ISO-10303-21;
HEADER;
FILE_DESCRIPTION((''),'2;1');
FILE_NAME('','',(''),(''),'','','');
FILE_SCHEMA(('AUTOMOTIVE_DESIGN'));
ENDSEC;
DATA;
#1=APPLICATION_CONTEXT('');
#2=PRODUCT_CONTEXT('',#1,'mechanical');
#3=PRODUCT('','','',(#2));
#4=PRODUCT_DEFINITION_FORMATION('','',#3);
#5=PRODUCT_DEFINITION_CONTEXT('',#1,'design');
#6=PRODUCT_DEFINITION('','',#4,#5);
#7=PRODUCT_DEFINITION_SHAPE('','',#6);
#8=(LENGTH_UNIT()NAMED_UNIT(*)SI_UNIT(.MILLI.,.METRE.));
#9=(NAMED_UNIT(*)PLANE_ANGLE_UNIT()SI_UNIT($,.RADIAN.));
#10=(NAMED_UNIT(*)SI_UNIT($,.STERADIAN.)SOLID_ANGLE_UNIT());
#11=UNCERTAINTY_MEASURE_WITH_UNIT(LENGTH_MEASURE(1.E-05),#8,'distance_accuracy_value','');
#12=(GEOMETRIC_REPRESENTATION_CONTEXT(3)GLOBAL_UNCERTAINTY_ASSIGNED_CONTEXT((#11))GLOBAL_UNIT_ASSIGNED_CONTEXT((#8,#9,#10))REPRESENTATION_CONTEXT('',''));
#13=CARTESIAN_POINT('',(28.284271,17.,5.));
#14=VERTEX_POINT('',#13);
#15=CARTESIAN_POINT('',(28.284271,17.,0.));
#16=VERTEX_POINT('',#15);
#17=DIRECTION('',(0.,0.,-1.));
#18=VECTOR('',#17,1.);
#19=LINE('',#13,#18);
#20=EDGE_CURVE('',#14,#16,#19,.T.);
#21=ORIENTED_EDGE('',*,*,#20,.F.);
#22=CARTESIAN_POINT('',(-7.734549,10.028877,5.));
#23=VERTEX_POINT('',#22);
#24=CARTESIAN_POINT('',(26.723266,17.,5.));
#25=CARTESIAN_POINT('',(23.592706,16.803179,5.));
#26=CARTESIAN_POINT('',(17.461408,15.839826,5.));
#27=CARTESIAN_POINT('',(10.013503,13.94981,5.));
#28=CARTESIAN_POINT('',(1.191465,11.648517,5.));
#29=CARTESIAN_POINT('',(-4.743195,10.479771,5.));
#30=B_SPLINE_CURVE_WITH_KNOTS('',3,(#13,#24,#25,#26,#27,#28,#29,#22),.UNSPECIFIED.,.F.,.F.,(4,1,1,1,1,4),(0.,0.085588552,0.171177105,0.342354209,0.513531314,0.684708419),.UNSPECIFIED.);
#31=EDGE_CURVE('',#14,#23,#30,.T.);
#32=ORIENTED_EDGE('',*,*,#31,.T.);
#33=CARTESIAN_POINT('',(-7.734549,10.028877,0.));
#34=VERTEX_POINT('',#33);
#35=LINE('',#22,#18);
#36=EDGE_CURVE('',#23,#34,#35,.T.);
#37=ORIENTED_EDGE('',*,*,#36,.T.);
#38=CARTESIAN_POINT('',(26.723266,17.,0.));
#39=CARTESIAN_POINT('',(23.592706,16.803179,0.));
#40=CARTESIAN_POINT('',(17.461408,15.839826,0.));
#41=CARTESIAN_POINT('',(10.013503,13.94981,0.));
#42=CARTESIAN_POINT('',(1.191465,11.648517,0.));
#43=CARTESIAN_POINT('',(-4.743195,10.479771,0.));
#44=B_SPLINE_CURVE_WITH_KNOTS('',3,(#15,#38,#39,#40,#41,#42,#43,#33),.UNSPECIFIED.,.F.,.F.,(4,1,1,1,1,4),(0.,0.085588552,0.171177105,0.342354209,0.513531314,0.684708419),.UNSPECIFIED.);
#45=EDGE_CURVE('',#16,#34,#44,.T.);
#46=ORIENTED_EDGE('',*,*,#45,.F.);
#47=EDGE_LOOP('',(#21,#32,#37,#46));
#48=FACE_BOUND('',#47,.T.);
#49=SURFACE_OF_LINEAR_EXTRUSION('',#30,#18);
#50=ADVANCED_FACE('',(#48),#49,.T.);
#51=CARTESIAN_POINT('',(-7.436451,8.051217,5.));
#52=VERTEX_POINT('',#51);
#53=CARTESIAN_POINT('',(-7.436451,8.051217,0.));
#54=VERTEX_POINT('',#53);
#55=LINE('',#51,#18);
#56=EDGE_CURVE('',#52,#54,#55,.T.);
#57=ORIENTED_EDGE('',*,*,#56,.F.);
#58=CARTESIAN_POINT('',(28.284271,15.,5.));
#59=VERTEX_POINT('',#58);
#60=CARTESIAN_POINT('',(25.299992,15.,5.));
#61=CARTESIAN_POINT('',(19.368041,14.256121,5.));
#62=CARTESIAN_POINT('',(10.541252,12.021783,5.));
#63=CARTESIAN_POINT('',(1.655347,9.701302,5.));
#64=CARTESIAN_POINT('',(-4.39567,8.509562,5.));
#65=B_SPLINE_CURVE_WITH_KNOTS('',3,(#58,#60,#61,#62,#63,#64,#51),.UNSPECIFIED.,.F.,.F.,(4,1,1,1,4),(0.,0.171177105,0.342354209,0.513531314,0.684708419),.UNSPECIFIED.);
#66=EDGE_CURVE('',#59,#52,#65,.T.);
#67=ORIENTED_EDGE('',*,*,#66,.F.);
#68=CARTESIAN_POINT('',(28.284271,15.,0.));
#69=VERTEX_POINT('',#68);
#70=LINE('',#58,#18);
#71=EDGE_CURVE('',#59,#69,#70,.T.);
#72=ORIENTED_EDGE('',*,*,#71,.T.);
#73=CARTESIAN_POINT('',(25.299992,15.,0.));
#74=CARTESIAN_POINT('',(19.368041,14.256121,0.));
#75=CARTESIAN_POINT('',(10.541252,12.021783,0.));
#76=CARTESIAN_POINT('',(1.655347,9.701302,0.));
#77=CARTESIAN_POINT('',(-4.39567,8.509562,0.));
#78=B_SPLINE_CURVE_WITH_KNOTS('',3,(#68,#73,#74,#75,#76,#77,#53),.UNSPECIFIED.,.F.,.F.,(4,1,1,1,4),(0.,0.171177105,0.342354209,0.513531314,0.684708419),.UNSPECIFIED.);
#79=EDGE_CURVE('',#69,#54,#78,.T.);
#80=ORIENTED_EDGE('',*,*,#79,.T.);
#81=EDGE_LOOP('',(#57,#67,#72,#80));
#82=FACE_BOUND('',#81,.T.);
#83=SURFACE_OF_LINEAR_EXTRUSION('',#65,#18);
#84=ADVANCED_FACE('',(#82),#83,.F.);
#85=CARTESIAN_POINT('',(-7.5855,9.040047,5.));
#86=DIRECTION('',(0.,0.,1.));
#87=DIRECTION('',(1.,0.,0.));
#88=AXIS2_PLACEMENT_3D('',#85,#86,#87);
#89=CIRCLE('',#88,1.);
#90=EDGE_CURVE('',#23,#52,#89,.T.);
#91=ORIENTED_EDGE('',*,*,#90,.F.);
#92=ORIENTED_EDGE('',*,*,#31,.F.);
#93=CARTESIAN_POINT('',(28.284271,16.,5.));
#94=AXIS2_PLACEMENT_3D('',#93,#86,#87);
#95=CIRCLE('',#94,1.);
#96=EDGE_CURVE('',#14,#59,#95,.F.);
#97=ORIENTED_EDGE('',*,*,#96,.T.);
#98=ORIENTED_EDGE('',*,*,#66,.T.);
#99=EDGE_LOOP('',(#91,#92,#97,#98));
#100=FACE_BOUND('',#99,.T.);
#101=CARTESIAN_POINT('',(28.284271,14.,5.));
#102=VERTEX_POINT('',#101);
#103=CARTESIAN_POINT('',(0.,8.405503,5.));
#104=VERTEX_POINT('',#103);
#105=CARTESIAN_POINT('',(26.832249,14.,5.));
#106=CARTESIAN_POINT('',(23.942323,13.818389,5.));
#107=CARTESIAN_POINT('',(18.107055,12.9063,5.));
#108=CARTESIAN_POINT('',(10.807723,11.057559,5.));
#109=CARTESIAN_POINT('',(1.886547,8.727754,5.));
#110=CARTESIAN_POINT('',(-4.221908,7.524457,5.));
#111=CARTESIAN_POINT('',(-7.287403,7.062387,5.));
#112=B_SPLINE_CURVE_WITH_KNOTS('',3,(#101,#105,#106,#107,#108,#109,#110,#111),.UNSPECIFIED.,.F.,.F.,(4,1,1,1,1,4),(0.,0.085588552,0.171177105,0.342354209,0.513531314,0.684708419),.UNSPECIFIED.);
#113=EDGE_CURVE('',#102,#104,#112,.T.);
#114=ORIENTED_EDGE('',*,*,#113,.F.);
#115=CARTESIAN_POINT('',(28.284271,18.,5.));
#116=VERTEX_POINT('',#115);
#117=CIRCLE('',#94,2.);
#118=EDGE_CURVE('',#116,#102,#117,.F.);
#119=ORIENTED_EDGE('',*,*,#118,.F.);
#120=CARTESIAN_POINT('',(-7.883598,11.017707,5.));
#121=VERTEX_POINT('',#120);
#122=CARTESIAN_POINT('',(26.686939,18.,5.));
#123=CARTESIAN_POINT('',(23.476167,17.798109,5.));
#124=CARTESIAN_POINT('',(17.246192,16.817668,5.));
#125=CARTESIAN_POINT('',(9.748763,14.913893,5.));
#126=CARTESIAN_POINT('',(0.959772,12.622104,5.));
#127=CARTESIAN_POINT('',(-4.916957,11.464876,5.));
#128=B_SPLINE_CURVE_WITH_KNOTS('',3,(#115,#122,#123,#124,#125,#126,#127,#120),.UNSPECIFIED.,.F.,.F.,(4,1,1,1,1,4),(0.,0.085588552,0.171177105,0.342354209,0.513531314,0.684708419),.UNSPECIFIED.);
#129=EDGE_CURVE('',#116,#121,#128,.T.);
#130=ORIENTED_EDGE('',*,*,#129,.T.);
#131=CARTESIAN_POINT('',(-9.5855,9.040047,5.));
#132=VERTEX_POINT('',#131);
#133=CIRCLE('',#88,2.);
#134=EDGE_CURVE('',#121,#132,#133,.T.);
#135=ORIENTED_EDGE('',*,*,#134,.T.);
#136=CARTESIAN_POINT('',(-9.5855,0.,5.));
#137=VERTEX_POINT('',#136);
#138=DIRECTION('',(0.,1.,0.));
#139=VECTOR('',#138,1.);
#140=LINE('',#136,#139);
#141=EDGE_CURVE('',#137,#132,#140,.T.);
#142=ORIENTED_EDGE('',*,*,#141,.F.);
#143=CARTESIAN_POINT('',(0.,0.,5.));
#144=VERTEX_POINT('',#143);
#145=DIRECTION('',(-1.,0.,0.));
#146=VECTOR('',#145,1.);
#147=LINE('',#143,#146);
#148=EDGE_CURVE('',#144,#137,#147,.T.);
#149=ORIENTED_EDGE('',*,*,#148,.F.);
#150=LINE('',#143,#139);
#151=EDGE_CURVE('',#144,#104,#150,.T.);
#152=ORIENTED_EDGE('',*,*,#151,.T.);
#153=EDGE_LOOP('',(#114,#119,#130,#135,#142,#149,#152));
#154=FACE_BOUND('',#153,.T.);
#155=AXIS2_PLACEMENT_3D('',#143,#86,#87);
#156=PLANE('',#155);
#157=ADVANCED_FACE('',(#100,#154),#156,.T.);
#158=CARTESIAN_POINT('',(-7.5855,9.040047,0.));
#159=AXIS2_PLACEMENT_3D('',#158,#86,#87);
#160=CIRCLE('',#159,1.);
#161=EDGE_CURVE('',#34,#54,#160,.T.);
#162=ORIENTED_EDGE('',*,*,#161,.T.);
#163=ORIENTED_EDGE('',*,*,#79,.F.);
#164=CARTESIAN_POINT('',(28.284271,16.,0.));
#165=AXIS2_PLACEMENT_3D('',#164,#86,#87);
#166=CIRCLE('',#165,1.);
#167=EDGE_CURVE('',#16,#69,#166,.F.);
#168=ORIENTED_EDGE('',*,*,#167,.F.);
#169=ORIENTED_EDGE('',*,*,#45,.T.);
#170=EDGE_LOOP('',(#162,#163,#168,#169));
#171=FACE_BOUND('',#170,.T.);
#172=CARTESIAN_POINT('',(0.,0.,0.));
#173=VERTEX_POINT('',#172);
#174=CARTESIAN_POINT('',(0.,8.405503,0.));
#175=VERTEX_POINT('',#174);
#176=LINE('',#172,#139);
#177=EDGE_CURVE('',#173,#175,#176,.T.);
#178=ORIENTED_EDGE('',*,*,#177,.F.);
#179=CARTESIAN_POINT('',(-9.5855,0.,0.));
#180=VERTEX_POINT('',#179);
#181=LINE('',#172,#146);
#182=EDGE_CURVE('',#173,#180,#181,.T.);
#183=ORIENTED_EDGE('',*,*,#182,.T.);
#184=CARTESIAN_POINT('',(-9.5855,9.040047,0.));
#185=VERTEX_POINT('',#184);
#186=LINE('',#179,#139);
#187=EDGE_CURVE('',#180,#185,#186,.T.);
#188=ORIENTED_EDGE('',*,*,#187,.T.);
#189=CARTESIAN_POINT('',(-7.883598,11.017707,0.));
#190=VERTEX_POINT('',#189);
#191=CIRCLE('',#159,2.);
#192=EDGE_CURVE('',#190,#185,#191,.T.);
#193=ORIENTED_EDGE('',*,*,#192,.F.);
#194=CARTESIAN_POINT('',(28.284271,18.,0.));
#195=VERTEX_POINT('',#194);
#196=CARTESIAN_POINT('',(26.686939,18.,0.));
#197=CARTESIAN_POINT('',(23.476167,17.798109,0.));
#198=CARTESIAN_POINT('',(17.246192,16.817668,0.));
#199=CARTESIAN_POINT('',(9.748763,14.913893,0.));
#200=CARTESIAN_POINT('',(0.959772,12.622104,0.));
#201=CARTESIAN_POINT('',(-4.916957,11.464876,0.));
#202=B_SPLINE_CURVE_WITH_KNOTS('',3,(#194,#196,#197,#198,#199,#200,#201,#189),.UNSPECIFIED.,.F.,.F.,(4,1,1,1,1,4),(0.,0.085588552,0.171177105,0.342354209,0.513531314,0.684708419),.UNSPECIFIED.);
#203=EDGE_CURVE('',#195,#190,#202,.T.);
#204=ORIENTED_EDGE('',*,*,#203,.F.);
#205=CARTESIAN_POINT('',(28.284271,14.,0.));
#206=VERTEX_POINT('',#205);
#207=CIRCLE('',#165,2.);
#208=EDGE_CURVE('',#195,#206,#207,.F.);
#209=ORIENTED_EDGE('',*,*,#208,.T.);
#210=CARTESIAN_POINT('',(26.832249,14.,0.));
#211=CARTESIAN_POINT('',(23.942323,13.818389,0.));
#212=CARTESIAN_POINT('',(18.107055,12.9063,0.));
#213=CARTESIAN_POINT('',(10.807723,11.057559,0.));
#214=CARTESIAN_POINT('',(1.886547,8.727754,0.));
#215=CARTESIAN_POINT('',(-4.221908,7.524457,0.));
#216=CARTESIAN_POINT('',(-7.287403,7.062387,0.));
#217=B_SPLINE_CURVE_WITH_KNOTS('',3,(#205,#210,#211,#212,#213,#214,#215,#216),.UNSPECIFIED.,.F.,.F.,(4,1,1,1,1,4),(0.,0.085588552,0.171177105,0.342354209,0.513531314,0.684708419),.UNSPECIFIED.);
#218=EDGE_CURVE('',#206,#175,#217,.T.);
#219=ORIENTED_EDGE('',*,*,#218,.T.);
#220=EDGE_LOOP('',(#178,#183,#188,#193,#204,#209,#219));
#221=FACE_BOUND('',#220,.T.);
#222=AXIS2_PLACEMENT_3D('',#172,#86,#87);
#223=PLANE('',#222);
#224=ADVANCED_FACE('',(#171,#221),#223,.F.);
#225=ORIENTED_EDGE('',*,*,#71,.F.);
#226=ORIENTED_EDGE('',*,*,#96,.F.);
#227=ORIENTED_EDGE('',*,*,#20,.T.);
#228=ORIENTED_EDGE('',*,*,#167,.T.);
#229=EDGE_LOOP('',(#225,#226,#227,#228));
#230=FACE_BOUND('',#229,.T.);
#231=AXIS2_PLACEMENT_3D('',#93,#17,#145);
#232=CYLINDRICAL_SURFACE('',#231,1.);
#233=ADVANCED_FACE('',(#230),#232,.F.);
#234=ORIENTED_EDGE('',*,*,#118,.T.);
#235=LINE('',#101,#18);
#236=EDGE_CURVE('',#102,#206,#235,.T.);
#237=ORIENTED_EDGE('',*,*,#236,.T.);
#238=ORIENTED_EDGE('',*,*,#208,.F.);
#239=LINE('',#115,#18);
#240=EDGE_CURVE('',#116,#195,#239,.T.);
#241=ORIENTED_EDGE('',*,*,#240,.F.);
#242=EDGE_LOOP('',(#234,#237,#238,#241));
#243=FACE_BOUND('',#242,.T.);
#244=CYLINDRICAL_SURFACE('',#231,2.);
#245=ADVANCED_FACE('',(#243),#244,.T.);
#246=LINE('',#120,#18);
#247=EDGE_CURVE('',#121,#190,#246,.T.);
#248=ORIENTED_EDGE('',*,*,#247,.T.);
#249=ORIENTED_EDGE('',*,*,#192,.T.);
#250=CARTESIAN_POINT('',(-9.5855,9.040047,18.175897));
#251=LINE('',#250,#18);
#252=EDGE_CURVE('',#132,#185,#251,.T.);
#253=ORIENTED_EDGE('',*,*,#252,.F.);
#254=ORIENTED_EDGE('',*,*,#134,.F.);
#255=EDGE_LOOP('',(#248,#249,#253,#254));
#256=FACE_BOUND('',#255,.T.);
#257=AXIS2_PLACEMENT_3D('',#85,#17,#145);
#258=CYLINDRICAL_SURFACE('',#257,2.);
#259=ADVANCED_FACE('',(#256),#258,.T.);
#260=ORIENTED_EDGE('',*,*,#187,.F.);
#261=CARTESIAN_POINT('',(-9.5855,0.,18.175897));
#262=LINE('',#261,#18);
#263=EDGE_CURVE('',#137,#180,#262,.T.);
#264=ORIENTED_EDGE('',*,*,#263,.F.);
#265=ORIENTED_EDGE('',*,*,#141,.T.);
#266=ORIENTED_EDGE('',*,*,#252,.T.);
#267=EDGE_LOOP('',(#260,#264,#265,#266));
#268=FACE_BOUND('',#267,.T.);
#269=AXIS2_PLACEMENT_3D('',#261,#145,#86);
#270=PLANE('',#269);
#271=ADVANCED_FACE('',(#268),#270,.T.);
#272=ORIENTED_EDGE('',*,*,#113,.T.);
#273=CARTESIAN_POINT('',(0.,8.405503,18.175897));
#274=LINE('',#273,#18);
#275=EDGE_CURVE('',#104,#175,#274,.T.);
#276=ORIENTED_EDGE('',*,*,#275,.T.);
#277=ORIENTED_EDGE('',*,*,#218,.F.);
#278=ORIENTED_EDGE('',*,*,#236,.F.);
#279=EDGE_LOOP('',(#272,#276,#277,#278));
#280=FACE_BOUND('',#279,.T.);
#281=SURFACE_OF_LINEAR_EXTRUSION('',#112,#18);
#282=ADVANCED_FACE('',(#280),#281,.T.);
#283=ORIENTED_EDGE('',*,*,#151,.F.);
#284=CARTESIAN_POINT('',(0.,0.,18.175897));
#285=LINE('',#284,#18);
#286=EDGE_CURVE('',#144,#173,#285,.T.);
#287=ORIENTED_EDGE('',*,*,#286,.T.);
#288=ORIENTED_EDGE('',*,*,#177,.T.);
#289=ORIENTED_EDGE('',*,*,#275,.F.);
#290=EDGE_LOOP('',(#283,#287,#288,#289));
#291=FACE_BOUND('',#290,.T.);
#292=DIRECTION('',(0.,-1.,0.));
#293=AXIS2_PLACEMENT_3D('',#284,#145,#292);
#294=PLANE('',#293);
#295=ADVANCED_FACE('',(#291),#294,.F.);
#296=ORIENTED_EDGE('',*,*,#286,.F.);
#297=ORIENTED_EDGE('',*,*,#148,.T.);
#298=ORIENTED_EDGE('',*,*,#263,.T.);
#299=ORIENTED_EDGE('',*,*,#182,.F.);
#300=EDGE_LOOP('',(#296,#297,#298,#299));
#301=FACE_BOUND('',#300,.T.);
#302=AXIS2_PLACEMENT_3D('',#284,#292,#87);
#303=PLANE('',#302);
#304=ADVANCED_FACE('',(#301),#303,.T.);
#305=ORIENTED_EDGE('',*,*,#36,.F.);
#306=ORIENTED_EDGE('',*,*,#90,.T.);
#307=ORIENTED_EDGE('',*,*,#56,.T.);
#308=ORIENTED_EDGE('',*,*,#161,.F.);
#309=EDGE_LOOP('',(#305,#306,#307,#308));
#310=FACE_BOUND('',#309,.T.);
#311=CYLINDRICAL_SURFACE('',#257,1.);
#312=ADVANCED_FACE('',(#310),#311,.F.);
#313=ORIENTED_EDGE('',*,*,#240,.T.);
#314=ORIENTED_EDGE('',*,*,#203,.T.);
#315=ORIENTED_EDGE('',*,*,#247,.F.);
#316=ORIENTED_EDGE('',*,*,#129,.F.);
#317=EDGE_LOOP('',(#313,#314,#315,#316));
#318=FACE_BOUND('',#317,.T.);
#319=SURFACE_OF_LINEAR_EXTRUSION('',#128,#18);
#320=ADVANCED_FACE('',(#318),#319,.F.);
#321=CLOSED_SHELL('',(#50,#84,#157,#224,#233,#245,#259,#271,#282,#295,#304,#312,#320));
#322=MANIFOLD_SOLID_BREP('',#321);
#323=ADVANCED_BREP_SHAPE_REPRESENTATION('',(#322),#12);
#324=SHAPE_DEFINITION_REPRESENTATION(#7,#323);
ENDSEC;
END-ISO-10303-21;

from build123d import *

# Parameters (mm, degrees)
BOSS_EXTRUDE1_DEPTH = 5
BOSS_EXTRUDE2_DEPTH = 5


with BuildPart() as part:
    # Sketch1 → Boss-Extrude1 (new body)
    with BuildSketch(Plane.XY):
        with BuildLine():
            add(Edge.make_bspline(
                [(28.284271497, 14), (26.832248759, 13.999999819), (23.942322546, 13.818389143), (18.107055454, 12.906300241), (10.807723253, 11.057558996), (1.886546527, 8.727754338), (-4.221907722, 7.524457078), (-7.287402613, 7.062387403)],
                knots=[0, 0, 0, 0, 0.085588552, 0.171177105, 0.342354209, 0.513531314, 0.684708419, 0.684708419, 0.684708419, 0.684708419], degree=3))
            ThreePointArc((-7.287402613, 7.062387403), (-9.563159868, 8.741949524), (-7.883597747, 11.017706779))
            add(Edge.make_bspline(
                [(28.284270998, 18), (26.686938926, 17.999999801), (23.476167151, 17.798108662), (17.246191739, 16.817667516), (9.748762966, 14.913893444), (0.95977161, 12.622104017), (-4.916957068, 11.464875912), (-7.883597747, 11.017706779)],
                knots=[0, 0, 0, 0, 0.085588552, 0.171177105, 0.342354209, 0.513531314, 0.684708419, 0.684708419, 0.684708419, 0.684708419], degree=3))
            ThreePointArc((28.284270998, 18), (30.284271247, 16.00000025), (28.284271497, 14))
        make_face()
        with BuildLine():
            ThreePointArc((28.284271123, 17), (29.284271247, 16.000000125), (28.284271372, 15))
            add(Edge.make_bspline(
                [(28.284271372, 15), (25.299991519, 14.999999628), (19.368041064, 14.256121216), (10.541251955, 12.021782806), (1.655347435, 9.701301701), (-4.395670061, 8.509561786), (-7.436451397, 8.051217247)],
                knots=[0, 0, 0, 0, 0.171177105, 0.342354209, 0.513531314, 0.684708419, 0.684708419, 0.684708419, 0.684708419], degree=3))
            ThreePointArc((-7.436451397, 8.051217247), (-8.574330024, 8.890998308), (-7.734548963, 10.028876935))
            add(Edge.make_bspline(
                [(28.284271123, 17), (26.723266395, 16.999999805), (23.592705995, 16.803178782), (17.46140767, 15.839825697), (10.013503037, 13.949809832), (1.19146534, 11.648516598), (-4.743194733, 10.479771203), (-7.734548963, 10.028876935)],
                knots=[0, 0, 0, 0, 0.085588552, 0.171177105, 0.342354209, 0.513531314, 0.684708419, 0.684708419, 0.684708419, 0.684708419], degree=3))
        make_face(mode=Mode.SUBTRACT)
    extrude(amount=BOSS_EXTRUDE1_DEPTH)

    # Sketch2 → Boss-Extrude2 (add)
    with BuildSketch(Plane.XY):
        with BuildLine():
            Line((-9.58550018, 0), (0, 0))
            Line((0, 0), (0, 8.405502806))
            add(Edge.make_bspline(
                [(0, 8.405502806), (-2.412231278, 7.886824896), (-4.846244229, 7.430349282), (-7.287402613, 7.062387403)],
                knots=[0.548394238, 0.548394238, 0.548394238, 0.548394238, 0.684708419, 0.684708419, 0.684708419, 0.684708419], degree=3))
            ThreePointArc((-7.287402613, 7.062387403), (-8.890070007, 7.524099346), (-9.58550018, 9.040047091))
            Line((-9.58550018, 9.040047091), (-9.58550018, 0))
        make_face()
    extrude(amount=BOSS_EXTRUDE2_DEPTH)


solid = part.part
